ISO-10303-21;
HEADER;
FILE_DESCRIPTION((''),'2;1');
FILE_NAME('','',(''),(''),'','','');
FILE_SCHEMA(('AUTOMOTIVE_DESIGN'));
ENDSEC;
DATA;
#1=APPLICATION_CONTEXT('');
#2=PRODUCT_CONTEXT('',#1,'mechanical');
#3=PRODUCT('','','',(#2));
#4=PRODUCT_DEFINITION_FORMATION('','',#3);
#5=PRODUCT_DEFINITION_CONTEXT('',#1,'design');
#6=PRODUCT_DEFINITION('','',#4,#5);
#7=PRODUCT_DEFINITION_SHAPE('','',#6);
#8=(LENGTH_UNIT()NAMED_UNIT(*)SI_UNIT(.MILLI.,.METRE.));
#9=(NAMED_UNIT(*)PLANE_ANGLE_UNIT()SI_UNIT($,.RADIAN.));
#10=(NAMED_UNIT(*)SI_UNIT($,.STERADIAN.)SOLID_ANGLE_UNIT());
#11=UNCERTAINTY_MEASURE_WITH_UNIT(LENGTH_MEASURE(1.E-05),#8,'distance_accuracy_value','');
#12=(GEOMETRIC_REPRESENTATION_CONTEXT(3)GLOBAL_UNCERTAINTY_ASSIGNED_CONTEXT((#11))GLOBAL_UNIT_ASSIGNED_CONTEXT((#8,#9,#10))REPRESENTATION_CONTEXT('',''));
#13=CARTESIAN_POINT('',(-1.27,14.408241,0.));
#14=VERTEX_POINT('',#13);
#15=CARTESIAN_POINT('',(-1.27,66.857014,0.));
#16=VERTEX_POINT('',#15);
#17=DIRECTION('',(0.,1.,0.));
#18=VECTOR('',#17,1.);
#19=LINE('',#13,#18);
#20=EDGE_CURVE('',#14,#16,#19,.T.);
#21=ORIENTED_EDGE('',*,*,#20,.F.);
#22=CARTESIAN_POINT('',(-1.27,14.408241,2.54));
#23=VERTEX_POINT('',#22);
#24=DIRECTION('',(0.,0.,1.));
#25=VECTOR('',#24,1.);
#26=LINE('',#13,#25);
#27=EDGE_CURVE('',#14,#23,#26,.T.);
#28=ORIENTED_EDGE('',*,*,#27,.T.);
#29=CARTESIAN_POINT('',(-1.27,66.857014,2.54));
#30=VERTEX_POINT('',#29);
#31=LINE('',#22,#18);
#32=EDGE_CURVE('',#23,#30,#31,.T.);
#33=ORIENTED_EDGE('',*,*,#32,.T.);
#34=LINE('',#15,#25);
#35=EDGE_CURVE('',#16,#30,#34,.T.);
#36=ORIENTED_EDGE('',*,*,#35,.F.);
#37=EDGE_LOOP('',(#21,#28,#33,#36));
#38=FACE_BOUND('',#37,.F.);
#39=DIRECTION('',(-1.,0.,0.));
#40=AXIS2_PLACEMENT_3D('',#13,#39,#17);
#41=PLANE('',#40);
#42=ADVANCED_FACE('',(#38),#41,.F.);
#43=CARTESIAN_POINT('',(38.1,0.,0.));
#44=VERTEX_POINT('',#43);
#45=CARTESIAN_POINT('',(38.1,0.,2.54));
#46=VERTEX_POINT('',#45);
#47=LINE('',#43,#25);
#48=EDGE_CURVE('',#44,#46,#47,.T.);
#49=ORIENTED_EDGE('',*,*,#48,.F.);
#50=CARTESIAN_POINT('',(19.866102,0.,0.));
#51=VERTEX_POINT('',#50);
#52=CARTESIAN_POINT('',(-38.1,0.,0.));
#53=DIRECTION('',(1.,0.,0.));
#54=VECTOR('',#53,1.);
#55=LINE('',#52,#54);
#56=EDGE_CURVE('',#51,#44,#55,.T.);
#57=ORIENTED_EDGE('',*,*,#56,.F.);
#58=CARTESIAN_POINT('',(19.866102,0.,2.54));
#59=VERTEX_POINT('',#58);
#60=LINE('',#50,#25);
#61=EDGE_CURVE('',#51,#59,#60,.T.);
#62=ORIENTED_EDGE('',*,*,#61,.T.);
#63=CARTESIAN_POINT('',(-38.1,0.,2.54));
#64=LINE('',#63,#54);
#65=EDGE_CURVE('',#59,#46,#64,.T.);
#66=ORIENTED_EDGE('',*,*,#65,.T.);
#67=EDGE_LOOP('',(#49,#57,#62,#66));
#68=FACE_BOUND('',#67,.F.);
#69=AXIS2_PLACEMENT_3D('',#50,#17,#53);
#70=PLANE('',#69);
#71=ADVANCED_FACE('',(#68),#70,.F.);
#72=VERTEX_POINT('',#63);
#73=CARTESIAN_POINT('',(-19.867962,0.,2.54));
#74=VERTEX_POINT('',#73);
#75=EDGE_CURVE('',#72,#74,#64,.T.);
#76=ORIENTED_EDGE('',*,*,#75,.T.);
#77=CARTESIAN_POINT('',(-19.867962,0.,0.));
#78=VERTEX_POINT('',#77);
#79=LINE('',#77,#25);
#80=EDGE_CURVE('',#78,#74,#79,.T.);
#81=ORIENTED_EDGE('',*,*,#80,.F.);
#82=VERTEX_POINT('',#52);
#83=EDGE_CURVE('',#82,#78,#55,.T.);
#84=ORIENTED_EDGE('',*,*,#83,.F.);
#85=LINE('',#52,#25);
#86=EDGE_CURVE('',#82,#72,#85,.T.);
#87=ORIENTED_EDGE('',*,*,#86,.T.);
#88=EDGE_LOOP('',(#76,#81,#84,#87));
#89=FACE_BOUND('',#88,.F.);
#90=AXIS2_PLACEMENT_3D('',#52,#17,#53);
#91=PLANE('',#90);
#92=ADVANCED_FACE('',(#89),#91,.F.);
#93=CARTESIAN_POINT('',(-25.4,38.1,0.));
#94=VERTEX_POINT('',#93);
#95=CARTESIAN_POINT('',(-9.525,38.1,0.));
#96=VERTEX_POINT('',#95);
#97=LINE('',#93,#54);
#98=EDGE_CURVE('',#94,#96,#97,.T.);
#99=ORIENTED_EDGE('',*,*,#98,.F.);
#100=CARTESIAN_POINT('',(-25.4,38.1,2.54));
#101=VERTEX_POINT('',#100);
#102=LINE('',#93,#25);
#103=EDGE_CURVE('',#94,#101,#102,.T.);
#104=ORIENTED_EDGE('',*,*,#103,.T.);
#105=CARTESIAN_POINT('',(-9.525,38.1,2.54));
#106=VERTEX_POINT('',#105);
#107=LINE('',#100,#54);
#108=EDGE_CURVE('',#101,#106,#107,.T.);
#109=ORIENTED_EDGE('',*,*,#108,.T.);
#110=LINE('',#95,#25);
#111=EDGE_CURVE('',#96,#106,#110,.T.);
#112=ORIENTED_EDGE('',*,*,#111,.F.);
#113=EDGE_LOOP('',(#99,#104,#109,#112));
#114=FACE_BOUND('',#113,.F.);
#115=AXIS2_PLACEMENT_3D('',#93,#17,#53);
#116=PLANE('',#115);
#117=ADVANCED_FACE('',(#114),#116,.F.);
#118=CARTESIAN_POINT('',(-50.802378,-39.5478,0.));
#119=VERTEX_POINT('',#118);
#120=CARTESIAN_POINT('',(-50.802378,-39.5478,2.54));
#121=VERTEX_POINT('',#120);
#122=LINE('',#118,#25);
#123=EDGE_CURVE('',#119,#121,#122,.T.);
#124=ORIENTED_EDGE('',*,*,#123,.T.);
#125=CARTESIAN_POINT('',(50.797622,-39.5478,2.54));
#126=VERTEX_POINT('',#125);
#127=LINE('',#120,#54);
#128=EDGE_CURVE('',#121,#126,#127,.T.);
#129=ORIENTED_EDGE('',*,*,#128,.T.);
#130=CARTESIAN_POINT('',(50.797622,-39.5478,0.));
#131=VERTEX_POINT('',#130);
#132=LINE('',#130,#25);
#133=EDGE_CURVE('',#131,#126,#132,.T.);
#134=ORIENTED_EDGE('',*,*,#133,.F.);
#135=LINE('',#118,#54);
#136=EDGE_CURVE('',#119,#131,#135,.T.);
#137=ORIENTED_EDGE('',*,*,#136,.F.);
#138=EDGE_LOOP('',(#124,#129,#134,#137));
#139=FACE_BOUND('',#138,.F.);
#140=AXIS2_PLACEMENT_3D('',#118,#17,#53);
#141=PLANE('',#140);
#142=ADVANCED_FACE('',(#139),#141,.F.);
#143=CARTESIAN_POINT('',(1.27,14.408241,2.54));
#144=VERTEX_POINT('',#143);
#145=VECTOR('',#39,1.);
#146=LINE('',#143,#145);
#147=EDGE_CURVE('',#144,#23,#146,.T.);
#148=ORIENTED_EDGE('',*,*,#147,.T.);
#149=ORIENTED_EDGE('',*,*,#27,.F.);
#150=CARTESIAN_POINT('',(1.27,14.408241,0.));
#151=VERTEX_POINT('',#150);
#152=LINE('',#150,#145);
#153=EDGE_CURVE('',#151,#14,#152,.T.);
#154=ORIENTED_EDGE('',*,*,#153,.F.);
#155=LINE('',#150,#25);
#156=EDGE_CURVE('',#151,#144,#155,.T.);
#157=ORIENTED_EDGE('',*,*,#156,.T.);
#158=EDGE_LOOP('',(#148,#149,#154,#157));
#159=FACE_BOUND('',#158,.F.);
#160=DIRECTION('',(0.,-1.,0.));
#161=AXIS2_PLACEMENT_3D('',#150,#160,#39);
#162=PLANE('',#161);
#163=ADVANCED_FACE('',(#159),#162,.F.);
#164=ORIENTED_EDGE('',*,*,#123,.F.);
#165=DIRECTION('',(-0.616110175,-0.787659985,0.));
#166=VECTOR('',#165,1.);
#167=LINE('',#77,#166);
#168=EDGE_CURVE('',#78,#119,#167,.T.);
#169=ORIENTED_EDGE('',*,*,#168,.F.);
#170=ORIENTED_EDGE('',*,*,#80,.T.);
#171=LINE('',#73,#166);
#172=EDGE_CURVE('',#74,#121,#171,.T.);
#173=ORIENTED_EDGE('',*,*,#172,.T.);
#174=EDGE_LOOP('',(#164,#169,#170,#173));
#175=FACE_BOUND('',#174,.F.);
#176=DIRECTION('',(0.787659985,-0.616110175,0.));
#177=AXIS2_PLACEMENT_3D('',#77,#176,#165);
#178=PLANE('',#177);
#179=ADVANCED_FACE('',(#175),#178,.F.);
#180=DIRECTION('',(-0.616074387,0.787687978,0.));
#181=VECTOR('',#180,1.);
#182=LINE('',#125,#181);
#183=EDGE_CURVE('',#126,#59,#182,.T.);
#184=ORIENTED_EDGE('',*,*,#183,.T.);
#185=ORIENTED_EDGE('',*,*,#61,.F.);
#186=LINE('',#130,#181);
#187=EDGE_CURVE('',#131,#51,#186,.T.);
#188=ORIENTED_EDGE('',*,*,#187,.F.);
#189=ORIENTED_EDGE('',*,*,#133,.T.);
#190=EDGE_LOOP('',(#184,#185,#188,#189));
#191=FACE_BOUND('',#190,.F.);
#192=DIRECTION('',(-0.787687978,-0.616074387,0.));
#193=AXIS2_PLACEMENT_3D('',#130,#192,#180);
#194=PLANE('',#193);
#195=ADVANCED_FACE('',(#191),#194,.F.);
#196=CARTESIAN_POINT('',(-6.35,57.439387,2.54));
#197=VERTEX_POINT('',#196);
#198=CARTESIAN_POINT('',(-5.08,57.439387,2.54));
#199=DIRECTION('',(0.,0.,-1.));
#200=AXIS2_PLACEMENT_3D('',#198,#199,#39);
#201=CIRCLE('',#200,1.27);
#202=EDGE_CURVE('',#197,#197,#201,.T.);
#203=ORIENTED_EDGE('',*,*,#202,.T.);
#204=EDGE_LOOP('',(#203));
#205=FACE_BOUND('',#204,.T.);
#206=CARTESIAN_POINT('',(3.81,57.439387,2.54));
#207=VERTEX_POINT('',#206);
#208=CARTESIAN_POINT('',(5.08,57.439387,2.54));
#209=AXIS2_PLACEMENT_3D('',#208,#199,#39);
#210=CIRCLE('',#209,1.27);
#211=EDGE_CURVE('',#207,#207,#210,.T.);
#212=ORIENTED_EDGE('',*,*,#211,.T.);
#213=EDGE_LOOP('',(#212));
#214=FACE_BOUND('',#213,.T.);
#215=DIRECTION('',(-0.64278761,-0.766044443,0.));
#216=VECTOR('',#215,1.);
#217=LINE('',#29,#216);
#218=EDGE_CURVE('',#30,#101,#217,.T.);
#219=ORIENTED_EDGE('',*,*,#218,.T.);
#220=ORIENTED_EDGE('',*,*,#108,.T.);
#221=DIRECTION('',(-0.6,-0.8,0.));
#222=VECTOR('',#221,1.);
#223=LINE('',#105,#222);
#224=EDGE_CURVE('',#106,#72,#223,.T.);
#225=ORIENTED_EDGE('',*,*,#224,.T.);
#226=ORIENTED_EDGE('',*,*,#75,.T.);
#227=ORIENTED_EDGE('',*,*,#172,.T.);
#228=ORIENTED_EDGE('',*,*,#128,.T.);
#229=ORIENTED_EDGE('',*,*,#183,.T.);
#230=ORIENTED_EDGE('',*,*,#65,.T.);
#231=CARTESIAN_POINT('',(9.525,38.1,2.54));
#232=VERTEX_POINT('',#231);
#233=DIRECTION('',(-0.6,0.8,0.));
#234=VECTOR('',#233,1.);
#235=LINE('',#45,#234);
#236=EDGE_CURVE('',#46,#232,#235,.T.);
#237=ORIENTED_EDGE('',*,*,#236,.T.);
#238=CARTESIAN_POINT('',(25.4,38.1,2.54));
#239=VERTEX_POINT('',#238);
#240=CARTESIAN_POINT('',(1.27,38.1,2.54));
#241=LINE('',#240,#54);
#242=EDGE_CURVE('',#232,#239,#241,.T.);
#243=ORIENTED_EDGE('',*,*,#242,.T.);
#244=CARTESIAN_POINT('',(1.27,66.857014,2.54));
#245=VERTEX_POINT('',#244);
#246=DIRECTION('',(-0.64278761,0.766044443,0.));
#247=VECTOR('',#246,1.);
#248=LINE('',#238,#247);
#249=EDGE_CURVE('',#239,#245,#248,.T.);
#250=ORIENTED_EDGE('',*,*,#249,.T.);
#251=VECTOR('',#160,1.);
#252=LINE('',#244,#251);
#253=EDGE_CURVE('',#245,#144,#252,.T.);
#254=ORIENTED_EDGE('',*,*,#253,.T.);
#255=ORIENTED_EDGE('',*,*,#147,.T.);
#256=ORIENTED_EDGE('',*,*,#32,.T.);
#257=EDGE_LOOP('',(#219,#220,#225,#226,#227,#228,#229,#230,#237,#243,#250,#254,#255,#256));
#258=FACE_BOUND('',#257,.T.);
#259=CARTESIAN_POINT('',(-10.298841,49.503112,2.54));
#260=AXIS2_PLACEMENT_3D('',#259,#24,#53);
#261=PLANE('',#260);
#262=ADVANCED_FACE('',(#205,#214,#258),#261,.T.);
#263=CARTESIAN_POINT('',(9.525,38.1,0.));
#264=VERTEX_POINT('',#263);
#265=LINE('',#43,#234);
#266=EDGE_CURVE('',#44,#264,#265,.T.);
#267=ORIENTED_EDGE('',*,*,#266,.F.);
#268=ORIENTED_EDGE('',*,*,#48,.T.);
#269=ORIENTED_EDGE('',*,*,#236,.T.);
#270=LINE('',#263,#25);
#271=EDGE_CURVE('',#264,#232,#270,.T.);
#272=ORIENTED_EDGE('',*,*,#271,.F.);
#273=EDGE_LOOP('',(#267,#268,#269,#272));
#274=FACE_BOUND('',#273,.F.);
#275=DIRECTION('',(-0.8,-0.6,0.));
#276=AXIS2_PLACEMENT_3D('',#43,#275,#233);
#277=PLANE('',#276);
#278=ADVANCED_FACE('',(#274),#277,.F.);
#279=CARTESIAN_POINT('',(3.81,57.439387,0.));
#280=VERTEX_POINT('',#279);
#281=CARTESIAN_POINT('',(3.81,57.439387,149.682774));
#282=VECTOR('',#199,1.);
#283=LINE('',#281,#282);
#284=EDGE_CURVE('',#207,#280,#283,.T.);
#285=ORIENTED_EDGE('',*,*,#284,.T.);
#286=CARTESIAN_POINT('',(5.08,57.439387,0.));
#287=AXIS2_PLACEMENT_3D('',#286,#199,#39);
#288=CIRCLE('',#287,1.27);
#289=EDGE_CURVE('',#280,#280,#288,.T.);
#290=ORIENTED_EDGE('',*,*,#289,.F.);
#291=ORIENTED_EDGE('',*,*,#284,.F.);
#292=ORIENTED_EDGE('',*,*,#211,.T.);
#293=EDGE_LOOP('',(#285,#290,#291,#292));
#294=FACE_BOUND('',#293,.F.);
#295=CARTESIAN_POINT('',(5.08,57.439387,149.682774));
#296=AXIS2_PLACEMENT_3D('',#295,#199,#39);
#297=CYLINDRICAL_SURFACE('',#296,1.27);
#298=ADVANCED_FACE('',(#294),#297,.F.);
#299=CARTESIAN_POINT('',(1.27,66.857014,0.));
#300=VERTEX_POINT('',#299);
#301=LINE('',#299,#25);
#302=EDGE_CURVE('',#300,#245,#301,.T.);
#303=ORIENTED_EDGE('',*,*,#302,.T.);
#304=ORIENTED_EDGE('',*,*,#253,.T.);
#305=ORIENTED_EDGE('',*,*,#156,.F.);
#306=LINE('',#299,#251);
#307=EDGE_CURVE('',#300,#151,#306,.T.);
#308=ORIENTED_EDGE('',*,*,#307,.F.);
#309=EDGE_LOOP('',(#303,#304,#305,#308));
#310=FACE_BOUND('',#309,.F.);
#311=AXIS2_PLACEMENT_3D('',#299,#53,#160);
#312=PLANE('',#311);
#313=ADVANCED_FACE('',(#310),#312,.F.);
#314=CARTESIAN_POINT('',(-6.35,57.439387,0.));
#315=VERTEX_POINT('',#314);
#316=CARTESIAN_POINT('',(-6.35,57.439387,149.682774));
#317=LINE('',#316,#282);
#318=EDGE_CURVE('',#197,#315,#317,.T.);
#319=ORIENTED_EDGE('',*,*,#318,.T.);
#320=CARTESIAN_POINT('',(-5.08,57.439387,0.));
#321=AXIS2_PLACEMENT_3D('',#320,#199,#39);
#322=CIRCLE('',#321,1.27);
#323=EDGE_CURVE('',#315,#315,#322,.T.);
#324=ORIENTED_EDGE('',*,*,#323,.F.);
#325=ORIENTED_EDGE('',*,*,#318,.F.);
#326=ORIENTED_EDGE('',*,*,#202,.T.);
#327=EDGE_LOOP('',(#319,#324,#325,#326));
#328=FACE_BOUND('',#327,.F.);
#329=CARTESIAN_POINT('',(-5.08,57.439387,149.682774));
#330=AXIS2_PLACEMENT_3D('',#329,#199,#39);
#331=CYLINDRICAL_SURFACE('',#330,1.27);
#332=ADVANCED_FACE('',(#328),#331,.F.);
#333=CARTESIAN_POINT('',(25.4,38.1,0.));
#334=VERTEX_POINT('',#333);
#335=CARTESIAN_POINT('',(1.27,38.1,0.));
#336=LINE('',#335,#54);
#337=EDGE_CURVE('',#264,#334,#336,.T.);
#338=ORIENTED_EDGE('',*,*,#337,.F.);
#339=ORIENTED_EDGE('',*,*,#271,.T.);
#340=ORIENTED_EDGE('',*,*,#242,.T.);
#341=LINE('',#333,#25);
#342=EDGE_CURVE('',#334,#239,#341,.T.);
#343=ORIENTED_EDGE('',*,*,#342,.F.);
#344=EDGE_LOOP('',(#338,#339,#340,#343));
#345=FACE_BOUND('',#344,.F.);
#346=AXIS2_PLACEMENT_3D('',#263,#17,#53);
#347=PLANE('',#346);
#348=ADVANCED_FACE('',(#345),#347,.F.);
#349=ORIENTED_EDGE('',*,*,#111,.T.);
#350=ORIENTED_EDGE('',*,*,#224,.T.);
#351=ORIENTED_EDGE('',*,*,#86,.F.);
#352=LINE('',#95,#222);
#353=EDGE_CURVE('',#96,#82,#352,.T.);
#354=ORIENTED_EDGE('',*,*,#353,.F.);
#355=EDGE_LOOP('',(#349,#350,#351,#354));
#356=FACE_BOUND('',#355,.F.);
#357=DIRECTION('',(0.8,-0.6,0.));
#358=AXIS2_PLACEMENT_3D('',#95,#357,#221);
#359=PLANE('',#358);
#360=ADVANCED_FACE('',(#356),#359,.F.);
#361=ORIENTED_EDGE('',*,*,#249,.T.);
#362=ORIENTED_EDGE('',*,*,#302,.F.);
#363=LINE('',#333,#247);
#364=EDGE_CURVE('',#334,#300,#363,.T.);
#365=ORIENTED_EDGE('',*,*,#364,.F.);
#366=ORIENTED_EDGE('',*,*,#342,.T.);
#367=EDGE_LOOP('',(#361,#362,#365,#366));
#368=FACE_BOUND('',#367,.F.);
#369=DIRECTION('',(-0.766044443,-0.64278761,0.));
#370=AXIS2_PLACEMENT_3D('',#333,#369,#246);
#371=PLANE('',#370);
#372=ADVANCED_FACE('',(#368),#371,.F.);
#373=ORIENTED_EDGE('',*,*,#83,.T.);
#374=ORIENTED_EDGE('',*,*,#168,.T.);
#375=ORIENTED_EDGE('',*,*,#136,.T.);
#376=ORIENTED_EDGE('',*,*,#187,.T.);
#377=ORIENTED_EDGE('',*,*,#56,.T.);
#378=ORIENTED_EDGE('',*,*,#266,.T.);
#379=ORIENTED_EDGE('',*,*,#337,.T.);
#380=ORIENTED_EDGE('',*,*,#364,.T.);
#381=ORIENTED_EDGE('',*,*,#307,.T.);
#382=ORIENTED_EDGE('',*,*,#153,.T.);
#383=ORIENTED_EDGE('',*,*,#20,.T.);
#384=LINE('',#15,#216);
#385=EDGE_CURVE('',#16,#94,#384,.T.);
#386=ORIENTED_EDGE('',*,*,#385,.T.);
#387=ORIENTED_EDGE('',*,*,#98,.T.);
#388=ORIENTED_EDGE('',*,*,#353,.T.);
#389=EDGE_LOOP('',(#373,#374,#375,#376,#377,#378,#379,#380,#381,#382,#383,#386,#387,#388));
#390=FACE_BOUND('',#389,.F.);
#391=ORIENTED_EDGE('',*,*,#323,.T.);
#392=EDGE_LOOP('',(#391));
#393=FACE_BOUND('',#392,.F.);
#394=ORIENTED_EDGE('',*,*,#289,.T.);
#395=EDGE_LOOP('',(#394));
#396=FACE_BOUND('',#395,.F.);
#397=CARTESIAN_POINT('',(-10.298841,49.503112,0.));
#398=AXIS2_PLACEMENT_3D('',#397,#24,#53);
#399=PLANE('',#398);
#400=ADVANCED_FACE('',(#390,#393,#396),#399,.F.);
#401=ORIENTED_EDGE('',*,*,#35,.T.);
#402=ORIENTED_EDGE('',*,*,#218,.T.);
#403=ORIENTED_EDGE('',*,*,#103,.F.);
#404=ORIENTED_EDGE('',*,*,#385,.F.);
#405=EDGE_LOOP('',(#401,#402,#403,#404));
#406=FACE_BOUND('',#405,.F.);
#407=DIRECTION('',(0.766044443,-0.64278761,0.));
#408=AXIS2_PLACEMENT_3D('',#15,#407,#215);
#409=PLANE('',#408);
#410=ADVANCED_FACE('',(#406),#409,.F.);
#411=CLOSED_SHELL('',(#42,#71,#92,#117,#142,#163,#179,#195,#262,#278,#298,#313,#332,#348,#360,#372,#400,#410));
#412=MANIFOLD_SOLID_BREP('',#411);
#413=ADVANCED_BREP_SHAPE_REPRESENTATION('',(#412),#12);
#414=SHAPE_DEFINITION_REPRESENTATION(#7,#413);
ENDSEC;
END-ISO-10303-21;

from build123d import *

# Parameters (mm, degrees)
F1_DEPTH = 2.54
F3_D     = 2.54


with BuildPart() as f1:
    # F0 (on Top) → F1 (new body)
    with BuildSketch(Plane.XY):
        Polygon((-1.27, 49.1066666667), (-1.27, 66.8570141893), (-25.4, 38.1), (-9.525, 38.1), align=None)
        Polygon((25.4, 38.1), (1.27, 66.8570141893), (1.27, 49.1066666667), (9.525, 38.1), align=None)
        Polygon((9.525, 38.1), (1.27, 49.1066666667), (1.27, 38.1), align=None)
        Polygon((-1.27, 38.1), (-1.27, 49.1066666667), (-9.525, 38.1), align=None)
        Polygon((-1.27, 38.1), (-9.525, 38.1), (-38.1, 0), (-19.8679617221, 0), (-1.27, 23.7763810072), align=None)
        Polygon((38.1, 0), (9.525, 38.1), (1.27, 38.1), (1.27, 23.7762289857), (19.8661016334, 0), align=None)
        Polygon((-1.27, 14.4082412519), (-1.27, 23.7763810072), (-19.8679617221, 0), (19.8661016334, 0), (1.27, 23.7762289857), (1.27, 14.4082412519), align=None)
        Polygon((19.8661016334, 0), (-19.8679617221, 0), (-50.8023781234, -39.5478), (50.7976218766, -39.5478), align=None)
    extrude(amount=F1_DEPTH)

    # F3 (through all)
    with Locations(Plane.XY.offset(2.54)):
        with Locations((-5.08, 57.4393868446), (5.08, 57.4393868446)):
            Hole(F3_D / 2)


solid = f1.part
